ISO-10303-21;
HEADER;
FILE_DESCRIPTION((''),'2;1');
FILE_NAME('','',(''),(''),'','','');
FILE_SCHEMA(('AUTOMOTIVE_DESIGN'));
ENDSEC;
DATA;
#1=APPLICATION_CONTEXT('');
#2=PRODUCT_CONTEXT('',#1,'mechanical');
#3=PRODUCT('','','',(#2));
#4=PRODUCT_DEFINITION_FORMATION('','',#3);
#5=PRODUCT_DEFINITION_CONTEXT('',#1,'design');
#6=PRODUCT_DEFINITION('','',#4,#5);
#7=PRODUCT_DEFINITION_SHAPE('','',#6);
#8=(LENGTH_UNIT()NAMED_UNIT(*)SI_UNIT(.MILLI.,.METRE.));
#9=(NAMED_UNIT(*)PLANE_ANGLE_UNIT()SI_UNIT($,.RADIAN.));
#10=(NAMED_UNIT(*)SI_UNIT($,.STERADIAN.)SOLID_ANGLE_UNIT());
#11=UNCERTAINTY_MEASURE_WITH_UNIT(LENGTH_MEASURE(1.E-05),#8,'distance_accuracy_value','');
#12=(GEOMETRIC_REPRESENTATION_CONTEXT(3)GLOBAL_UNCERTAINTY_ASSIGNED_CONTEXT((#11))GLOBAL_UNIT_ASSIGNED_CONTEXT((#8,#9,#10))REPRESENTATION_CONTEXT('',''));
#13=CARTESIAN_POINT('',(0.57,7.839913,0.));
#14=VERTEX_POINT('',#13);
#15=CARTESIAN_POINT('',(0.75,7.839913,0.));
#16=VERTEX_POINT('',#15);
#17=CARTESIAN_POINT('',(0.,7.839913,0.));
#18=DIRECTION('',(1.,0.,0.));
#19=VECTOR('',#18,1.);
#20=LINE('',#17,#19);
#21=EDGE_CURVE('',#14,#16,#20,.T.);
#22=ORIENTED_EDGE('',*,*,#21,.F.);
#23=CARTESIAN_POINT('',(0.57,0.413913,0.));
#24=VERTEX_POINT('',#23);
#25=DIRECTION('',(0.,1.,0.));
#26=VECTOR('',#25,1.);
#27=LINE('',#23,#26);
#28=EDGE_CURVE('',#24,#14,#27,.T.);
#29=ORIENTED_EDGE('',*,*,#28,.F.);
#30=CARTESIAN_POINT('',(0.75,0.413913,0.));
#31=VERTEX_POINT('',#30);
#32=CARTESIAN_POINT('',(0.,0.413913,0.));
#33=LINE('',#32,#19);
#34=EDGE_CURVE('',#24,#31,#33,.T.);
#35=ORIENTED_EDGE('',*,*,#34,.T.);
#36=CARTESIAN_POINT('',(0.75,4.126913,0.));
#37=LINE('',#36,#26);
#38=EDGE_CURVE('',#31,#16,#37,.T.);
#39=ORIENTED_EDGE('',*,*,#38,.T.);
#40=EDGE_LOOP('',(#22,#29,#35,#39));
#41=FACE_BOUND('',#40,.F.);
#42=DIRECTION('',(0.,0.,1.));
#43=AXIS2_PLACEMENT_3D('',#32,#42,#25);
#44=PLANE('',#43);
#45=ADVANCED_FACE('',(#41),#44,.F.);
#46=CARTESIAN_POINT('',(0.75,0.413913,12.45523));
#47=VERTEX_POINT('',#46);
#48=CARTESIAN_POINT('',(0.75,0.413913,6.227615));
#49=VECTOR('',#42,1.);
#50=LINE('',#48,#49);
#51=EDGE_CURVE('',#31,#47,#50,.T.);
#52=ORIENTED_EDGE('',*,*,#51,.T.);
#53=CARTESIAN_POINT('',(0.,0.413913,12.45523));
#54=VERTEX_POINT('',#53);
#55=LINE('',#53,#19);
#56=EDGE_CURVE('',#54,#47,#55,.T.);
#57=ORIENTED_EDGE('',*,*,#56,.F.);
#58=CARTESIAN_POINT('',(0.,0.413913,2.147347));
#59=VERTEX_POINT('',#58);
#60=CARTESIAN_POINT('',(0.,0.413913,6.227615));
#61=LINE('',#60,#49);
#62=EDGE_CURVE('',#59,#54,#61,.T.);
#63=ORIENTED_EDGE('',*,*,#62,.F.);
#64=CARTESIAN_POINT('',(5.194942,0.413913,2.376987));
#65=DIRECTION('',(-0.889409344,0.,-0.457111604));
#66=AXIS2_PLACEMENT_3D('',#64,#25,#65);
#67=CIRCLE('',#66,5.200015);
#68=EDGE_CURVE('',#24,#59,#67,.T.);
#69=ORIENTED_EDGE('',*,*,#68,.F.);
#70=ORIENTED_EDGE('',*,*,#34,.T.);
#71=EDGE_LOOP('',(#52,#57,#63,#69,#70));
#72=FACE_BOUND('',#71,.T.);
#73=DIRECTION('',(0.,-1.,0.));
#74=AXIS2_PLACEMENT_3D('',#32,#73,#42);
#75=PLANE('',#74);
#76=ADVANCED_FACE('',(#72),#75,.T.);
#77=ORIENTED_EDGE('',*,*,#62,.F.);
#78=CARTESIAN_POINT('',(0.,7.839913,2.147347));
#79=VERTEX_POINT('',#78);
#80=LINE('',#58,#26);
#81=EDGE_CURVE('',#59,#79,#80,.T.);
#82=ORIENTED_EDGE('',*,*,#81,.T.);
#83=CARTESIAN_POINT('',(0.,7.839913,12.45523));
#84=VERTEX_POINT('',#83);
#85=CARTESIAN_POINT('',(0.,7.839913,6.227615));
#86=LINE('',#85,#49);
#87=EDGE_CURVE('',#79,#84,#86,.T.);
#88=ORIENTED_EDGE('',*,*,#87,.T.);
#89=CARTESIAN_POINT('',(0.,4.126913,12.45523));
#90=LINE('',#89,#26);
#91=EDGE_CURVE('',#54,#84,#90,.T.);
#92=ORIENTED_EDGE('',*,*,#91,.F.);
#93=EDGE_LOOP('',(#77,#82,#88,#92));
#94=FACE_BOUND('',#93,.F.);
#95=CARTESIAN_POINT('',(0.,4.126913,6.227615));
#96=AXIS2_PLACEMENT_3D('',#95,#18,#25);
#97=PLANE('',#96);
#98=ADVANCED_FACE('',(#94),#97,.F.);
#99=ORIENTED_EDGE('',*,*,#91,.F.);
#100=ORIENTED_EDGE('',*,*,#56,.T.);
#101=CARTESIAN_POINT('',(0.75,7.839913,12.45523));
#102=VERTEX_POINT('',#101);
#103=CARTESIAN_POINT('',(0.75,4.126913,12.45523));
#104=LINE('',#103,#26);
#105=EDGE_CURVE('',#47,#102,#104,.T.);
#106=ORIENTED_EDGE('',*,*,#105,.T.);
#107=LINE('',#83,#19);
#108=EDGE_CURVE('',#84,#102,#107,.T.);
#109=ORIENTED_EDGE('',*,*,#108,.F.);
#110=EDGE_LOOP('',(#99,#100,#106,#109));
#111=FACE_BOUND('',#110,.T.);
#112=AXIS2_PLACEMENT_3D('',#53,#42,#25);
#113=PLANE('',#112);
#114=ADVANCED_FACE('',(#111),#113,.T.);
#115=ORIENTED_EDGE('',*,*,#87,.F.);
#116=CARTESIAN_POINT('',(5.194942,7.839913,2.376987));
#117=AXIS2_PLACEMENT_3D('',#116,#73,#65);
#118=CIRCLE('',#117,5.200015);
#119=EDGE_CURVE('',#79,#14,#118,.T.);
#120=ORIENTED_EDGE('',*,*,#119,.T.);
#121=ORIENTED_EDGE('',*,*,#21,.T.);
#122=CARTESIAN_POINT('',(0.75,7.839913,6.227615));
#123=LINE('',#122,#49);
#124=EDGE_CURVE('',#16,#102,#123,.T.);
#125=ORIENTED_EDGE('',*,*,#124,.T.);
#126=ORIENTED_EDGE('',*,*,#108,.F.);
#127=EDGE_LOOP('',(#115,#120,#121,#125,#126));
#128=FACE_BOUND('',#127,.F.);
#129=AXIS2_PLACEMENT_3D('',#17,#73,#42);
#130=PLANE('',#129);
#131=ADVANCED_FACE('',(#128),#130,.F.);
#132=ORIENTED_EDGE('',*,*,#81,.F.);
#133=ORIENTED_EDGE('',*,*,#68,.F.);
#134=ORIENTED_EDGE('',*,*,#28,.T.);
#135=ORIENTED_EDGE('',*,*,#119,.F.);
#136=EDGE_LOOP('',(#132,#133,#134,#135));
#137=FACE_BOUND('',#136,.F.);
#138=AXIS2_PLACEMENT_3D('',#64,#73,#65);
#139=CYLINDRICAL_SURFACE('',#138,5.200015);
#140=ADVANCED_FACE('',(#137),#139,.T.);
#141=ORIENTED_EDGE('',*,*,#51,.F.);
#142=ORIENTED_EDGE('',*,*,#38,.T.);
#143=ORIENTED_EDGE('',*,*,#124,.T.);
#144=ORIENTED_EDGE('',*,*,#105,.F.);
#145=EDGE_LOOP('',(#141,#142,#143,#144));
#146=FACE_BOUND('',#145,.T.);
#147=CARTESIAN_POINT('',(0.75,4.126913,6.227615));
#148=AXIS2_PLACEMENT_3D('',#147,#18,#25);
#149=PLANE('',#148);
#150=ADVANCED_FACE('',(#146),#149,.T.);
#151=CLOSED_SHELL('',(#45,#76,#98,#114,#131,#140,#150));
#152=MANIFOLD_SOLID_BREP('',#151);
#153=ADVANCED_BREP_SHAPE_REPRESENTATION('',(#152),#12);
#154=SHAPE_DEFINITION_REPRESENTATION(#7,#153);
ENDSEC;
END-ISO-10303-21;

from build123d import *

# Parameters (mm, degrees)
F0_W     = 7.426
F0_H     = 12.45523
F1_DEPTH = 0.75
F3_DEPTH = 7.427


with BuildPart() as f1:
    # F0 (on Right) → F1 (new body)
    with BuildSketch(Plane.YZ):
        with Locations((4.126913, 6.227615)):
            Rectangle(F0_W, F0_H)
    extrude(amount=F1_DEPTH)

    # F2 (on face) → F3 (cut, through all)
    with BuildSketch(Plane.XZ.offset(-0.413913)):
        with BuildLine():
            ThreePointArc((0.57, 0), (0.168979, 1.042876), (0, 2.147347))
            Line((0, 2.147347), (0, 0))
            Line((0, 0), (0.57, 0))
        make_face()
    extrude(amount=-F3_DEPTH, mode=Mode.SUBTRACT)


solid = f1.part
